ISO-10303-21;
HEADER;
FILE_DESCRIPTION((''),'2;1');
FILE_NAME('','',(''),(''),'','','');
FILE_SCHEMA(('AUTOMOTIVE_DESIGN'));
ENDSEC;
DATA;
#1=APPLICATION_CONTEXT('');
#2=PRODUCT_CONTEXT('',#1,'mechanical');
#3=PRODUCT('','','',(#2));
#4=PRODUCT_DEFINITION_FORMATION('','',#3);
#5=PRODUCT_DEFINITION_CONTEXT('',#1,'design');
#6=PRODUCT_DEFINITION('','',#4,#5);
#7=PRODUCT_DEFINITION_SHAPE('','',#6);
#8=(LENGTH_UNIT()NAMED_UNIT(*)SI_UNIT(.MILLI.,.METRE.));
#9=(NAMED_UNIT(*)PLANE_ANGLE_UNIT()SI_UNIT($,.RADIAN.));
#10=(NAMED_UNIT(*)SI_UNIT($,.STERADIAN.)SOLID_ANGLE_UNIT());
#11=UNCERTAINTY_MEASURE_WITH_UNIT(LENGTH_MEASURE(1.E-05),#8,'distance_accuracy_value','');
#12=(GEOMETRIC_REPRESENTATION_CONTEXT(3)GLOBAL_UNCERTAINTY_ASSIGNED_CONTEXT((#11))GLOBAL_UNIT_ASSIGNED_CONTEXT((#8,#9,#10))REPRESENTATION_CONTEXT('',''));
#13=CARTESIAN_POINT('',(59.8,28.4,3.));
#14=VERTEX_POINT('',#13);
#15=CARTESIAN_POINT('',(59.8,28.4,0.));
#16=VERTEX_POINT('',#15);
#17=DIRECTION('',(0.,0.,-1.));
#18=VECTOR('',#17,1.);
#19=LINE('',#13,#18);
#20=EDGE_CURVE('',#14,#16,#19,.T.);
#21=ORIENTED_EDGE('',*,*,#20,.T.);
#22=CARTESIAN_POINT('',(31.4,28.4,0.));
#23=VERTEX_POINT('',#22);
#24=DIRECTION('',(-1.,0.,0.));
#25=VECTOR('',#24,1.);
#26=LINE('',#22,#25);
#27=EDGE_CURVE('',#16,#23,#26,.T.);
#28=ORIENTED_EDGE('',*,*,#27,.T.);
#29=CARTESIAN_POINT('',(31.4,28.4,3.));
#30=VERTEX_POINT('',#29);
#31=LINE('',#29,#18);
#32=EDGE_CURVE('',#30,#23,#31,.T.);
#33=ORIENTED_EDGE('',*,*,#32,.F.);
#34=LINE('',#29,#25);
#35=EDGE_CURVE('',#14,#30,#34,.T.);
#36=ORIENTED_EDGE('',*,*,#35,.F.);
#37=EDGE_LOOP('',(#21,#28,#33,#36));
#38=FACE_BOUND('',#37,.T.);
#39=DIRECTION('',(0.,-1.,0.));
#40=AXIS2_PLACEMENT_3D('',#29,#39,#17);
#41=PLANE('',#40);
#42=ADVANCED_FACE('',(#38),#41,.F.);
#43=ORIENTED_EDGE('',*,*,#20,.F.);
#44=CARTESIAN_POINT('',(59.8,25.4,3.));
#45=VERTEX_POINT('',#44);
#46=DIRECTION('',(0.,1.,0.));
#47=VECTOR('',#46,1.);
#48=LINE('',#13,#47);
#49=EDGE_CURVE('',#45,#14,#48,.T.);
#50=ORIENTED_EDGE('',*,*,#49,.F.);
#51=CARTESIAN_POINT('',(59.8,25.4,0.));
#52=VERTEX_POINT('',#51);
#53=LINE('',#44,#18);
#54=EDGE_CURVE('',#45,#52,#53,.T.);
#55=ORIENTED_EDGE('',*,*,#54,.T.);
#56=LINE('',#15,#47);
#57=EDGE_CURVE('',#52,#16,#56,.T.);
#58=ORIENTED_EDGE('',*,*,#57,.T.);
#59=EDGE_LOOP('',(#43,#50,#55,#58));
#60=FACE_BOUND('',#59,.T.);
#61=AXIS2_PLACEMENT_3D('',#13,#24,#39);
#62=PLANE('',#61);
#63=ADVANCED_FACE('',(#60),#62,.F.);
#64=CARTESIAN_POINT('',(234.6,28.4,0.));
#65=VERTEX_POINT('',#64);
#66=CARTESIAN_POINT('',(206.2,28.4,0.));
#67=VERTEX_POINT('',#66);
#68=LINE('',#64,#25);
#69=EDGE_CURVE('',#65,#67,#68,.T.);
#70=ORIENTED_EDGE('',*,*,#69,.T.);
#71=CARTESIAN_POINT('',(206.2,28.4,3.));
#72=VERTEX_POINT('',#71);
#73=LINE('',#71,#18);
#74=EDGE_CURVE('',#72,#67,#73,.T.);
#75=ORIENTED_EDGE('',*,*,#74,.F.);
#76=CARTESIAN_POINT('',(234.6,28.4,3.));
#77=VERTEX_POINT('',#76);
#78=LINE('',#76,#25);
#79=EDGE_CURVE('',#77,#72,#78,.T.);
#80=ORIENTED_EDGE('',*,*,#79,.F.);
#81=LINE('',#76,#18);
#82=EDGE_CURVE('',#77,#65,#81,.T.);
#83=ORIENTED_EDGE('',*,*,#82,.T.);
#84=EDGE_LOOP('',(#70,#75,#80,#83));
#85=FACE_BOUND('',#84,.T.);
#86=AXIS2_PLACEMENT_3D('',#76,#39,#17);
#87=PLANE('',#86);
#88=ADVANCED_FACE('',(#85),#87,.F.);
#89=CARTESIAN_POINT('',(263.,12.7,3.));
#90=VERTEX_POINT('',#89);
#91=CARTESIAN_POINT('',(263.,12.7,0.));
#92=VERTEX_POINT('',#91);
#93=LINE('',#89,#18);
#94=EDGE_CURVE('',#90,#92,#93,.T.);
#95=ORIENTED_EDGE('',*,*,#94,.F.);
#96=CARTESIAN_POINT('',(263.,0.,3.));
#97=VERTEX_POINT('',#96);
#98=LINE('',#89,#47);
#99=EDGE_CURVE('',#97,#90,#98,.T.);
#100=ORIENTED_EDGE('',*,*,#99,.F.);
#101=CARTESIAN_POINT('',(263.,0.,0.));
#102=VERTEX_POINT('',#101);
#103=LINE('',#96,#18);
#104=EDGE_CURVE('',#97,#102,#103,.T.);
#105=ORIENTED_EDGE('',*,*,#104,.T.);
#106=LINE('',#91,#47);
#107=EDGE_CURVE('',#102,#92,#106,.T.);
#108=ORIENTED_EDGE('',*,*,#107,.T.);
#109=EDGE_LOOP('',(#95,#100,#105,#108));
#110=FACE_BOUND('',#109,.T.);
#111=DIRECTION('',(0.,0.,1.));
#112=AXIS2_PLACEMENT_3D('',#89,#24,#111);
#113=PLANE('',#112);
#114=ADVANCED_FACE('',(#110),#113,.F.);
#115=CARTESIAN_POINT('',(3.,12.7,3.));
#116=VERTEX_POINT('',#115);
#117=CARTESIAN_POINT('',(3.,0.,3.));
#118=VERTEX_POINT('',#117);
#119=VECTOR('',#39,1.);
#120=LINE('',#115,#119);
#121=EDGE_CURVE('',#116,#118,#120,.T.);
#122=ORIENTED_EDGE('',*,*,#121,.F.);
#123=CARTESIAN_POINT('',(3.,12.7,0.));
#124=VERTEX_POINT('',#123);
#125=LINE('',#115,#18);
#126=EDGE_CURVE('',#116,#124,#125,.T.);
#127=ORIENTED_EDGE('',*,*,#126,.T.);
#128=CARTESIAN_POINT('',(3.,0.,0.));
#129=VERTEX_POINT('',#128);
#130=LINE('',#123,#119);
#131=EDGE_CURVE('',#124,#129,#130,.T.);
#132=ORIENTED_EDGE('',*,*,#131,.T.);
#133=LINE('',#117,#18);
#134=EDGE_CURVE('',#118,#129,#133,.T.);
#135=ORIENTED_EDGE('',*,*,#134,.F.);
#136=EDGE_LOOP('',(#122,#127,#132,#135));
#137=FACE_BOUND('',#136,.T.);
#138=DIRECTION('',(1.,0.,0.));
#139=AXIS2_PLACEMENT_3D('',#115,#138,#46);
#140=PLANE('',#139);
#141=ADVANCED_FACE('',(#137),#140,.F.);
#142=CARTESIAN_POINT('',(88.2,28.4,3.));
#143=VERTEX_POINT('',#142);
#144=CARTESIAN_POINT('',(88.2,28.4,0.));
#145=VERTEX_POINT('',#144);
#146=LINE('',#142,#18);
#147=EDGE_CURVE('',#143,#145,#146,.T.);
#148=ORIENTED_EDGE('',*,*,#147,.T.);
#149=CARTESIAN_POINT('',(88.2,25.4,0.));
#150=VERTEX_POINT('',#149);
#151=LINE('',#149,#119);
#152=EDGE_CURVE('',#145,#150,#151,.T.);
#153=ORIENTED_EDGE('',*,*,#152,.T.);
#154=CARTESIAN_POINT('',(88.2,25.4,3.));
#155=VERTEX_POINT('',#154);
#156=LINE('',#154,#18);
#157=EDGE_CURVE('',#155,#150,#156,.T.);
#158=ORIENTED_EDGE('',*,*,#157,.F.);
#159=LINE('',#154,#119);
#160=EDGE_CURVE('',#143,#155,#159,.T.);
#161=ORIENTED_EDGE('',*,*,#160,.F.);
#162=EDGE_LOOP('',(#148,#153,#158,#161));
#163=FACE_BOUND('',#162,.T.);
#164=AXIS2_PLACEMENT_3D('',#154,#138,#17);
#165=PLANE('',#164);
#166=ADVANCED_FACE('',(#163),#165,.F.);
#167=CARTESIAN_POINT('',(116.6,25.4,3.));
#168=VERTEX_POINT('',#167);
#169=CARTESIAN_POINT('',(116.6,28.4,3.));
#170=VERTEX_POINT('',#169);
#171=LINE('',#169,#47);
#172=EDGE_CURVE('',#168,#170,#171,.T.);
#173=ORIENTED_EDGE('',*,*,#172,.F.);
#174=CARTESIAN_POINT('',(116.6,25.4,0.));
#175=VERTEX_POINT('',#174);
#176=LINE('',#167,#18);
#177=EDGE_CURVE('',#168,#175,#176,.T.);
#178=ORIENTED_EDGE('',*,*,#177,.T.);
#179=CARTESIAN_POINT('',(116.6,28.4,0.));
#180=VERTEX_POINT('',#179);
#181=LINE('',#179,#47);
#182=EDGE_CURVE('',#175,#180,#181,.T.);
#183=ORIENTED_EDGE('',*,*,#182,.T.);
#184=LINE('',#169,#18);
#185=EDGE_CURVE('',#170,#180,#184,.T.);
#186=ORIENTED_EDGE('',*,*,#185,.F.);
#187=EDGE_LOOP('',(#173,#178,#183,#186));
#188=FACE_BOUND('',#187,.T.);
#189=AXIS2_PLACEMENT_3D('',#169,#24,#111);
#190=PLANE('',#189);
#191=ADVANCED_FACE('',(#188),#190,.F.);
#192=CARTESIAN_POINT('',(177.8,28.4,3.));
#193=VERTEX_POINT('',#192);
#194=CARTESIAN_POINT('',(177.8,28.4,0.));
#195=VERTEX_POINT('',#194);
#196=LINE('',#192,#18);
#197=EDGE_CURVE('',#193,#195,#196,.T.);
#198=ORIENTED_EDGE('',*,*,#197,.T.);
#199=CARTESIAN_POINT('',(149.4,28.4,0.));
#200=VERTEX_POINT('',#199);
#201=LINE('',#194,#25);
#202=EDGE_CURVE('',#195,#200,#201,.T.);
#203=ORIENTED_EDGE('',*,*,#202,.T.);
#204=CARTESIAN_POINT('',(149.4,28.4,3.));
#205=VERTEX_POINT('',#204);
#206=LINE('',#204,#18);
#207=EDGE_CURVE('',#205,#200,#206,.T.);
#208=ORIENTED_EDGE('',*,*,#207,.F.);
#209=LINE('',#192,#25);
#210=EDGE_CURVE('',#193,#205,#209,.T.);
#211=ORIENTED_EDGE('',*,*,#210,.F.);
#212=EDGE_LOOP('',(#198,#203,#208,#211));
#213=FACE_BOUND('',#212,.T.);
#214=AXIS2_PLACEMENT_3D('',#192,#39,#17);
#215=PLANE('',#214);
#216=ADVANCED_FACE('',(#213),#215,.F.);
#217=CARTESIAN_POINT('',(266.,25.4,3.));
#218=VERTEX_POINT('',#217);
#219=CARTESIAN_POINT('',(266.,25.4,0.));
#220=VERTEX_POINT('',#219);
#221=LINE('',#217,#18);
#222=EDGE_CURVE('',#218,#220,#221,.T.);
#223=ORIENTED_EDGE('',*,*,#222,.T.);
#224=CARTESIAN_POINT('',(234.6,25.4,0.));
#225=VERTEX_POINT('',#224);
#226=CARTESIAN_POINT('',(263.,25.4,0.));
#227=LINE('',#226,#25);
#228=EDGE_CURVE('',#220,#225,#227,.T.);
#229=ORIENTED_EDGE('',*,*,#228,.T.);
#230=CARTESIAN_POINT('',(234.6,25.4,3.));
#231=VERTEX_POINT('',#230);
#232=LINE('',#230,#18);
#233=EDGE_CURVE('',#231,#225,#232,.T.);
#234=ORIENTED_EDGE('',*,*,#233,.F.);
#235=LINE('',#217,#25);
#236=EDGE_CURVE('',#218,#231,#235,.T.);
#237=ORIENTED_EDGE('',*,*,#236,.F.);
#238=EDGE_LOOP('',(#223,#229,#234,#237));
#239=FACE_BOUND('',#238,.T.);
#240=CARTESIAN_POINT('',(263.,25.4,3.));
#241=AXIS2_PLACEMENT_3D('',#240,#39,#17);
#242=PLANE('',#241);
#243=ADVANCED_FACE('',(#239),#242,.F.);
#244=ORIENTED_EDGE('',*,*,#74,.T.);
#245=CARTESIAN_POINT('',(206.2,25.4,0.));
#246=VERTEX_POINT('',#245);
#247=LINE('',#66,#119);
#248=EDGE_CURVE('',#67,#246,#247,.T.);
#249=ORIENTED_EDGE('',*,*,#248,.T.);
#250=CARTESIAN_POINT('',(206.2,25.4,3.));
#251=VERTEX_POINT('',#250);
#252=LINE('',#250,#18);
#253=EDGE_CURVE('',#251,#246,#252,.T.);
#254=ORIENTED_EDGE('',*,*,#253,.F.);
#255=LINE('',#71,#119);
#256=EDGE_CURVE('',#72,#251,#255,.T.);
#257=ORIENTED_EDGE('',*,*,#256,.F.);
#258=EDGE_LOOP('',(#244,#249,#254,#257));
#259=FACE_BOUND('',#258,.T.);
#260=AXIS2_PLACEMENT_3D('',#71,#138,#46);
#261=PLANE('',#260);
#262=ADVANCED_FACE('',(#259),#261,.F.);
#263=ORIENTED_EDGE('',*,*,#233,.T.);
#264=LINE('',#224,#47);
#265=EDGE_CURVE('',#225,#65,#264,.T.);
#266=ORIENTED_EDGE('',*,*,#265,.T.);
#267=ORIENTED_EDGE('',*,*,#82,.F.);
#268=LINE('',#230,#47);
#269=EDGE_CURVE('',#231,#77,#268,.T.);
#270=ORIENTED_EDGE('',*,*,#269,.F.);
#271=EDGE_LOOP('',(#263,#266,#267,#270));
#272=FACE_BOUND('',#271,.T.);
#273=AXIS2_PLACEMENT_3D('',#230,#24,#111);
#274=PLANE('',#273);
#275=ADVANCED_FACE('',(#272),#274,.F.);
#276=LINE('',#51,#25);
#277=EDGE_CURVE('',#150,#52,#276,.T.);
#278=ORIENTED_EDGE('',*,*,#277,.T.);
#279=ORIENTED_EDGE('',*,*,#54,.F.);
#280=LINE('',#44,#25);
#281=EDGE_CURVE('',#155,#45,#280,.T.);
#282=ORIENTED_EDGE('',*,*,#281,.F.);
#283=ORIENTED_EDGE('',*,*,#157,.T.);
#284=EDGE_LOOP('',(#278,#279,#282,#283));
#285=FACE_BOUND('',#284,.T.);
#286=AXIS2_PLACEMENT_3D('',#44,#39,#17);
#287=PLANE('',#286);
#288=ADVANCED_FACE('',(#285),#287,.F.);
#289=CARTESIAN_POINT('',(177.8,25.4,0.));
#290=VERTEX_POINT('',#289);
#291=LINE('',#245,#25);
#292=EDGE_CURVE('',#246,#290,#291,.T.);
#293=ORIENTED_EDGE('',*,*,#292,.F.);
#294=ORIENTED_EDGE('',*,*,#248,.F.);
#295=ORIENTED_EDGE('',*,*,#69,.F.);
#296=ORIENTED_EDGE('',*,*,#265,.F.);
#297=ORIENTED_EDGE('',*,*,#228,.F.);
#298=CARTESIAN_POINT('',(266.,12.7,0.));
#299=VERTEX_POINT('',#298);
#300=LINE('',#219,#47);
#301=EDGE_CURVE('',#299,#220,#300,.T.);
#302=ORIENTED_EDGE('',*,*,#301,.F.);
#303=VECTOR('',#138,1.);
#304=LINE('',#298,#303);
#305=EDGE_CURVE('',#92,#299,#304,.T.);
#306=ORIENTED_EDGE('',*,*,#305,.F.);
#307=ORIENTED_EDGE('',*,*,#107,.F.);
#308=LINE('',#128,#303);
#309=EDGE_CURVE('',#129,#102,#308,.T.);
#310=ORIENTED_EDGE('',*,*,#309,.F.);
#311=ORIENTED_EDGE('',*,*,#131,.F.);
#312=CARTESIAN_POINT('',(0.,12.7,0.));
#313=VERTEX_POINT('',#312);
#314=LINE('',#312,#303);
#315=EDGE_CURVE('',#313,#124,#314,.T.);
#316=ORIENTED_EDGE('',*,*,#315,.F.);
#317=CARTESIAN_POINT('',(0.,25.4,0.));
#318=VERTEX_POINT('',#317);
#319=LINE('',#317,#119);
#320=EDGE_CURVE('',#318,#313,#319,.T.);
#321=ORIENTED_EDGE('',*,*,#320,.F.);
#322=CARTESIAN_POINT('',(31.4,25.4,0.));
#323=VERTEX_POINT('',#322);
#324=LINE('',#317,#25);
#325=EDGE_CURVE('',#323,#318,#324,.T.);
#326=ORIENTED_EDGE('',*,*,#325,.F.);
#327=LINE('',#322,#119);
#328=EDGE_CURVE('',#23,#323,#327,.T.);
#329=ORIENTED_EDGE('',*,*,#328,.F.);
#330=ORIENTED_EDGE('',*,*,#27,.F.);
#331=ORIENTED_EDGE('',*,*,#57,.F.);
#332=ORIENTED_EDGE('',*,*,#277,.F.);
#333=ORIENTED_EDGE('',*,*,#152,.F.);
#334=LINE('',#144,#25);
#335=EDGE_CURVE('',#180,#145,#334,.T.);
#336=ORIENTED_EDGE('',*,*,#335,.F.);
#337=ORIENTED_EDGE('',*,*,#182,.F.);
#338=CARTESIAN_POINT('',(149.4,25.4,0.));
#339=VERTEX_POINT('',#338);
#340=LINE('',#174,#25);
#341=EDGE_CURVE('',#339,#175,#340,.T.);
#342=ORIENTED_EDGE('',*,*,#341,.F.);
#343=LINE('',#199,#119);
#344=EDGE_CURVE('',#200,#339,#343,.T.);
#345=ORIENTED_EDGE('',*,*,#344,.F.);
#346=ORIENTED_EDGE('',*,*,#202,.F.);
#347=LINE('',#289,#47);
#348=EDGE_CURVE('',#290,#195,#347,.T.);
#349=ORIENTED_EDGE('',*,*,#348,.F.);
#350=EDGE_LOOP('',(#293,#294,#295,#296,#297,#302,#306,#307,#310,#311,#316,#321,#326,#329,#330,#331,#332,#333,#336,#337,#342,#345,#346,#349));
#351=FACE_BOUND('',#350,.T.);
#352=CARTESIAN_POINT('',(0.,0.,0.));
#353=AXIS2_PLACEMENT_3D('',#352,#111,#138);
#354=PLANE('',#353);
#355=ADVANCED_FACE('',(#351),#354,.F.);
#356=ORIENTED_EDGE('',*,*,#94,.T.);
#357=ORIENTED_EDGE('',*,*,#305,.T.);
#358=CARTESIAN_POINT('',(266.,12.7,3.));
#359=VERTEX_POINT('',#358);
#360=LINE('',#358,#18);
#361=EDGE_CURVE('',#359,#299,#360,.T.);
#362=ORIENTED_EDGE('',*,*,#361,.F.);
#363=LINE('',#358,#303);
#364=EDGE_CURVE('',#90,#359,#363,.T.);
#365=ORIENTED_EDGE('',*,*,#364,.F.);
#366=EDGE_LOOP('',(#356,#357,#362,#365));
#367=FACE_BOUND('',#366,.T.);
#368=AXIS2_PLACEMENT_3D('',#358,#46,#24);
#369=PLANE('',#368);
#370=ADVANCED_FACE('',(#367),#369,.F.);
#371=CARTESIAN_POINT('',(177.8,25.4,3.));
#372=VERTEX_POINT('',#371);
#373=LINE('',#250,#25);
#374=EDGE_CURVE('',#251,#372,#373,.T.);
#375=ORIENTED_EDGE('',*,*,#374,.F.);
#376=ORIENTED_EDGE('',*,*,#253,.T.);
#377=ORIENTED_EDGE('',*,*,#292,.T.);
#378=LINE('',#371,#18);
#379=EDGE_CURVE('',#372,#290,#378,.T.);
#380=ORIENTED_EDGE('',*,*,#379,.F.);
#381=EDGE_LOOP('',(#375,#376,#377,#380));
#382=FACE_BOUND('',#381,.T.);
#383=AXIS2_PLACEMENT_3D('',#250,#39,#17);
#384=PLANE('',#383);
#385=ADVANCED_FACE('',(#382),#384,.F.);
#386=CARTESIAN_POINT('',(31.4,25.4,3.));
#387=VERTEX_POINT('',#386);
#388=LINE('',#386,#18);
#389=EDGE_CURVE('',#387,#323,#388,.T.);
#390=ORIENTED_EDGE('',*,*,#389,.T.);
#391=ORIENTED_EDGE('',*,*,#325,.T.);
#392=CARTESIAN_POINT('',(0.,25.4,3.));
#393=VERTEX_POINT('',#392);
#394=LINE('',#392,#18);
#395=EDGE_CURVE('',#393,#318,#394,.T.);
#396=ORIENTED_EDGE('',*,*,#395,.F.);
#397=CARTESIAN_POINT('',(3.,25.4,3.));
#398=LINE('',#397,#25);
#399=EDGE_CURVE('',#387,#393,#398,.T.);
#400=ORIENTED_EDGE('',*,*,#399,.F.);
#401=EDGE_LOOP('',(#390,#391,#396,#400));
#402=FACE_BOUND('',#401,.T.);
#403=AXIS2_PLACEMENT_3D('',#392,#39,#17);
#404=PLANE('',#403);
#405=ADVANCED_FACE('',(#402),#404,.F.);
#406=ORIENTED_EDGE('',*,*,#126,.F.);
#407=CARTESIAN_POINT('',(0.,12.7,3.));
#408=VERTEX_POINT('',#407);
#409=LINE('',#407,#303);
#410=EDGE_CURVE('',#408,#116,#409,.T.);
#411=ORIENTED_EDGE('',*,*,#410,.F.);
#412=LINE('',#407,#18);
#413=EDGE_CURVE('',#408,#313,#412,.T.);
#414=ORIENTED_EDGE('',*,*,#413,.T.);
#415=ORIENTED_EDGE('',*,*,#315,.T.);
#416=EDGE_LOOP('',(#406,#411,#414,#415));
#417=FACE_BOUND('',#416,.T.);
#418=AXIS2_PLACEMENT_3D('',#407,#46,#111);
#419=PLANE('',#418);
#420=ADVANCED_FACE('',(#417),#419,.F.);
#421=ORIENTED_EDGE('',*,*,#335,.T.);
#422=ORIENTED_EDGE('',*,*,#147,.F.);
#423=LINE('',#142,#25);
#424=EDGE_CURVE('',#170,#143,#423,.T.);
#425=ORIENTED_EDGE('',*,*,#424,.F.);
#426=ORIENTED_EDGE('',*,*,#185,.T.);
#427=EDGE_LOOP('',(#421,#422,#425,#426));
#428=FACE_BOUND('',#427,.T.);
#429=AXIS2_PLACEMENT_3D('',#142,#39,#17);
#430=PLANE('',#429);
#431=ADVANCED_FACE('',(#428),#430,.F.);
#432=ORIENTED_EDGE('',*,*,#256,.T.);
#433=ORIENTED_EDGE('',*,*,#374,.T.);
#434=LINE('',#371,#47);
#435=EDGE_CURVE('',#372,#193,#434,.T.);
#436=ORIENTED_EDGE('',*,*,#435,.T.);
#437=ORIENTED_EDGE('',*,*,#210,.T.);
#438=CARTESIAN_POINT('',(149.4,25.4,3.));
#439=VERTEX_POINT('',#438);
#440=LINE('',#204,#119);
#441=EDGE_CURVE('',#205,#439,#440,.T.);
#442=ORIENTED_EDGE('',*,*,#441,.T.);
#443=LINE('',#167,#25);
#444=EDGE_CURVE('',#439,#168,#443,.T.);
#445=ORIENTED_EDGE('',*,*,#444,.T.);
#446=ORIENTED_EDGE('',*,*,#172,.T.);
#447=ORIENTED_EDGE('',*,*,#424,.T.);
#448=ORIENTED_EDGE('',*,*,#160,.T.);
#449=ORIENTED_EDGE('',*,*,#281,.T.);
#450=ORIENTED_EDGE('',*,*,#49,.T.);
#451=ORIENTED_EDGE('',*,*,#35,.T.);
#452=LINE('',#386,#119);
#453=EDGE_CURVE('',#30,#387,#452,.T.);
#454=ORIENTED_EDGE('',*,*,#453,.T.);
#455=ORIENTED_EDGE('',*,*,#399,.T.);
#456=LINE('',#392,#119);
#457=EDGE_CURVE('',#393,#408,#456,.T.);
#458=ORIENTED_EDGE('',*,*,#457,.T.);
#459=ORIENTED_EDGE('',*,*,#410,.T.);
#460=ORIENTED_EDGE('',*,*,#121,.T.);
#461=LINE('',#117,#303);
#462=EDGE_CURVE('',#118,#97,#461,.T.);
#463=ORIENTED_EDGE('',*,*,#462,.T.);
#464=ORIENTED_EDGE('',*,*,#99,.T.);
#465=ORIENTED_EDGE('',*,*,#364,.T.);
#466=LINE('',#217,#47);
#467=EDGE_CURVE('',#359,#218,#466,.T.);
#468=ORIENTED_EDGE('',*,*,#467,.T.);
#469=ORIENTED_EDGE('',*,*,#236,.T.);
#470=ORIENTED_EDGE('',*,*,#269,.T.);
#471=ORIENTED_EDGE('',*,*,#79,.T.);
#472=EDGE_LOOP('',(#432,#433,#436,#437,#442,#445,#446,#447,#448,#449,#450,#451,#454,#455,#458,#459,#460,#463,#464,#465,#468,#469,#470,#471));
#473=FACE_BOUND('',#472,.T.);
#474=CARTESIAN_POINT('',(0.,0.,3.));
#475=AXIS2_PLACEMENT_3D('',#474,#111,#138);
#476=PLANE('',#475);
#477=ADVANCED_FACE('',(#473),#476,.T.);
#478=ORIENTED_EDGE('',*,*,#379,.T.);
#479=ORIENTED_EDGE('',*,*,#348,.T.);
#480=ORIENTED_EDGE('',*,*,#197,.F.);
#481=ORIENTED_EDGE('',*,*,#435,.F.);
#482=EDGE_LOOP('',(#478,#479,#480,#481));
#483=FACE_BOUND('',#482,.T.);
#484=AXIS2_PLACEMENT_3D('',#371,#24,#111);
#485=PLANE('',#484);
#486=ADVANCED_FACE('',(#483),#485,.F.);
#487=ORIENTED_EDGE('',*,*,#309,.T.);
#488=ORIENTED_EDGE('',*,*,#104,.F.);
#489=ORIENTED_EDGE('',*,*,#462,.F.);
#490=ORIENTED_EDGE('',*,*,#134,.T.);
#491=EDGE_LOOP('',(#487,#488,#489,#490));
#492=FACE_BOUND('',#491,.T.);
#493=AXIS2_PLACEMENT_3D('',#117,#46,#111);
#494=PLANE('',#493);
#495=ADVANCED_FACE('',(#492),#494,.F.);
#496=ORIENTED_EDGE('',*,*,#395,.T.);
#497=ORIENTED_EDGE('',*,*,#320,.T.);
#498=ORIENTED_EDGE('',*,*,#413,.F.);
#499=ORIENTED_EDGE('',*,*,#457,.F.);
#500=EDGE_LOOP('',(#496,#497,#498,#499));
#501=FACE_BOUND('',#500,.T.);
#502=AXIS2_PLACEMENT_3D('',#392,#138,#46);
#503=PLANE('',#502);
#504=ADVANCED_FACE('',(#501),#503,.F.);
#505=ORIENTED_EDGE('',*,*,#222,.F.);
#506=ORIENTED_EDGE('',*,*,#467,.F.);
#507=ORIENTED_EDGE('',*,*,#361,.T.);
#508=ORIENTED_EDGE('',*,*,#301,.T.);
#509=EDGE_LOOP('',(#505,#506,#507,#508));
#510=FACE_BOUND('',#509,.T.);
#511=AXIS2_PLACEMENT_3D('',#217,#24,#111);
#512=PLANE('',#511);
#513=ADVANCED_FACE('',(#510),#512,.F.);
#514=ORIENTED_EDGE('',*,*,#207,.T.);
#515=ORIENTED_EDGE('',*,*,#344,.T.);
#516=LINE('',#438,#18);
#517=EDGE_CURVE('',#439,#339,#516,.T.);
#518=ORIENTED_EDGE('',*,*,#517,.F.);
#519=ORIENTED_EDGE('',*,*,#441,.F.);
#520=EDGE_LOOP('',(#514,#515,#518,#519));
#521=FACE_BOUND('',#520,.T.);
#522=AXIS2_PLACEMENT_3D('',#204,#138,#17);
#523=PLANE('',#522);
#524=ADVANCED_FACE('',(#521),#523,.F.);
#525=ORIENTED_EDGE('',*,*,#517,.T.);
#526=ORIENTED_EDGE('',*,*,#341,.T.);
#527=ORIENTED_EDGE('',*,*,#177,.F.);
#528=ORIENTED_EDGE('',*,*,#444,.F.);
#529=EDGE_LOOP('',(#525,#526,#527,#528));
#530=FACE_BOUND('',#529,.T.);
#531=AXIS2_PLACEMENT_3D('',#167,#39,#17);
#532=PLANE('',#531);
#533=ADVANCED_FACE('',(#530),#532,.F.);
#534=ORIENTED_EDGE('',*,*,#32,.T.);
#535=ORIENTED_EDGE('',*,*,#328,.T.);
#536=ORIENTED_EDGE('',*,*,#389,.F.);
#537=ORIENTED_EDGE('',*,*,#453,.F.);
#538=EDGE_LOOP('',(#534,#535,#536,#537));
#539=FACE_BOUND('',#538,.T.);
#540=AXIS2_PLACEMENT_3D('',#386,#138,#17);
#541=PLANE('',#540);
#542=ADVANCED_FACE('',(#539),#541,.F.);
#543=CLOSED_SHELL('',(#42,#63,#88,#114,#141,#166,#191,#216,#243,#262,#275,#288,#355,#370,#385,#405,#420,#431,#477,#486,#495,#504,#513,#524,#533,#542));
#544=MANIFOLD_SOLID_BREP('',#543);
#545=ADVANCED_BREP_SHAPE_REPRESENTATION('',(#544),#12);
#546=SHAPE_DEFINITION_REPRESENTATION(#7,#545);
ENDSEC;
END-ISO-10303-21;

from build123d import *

# Parameters (mm, degrees)
SALIENTE_EXTRUIR1_DEPTH = 3


with BuildPart() as part:
    # Croquis1 → Saliente-Extruir1 (new body)
    with BuildSketch(Plane.XY):
        Polygon((0, 25.4), (0, 12.7), (3, 12.7), (3, 0), (263, 0), (263, 12.7), (266, 12.7), (266, 25.4), (263, 25.4), (234.6, 25.4), (234.6, 28.4), (206.2, 28.4), (206.2, 25.4), (177.8, 25.4), (177.8, 28.4), (149.4, 28.4), (149.4, 25.4), (116.6, 25.4), (116.6, 28.4), (88.2, 28.4), (88.2, 25.4), (59.8, 25.4), (59.8, 28.4), (31.4, 28.4), (31.4, 25.4), (3, 25.4), align=None)
    extrude(amount=SALIENTE_EXTRUIR1_DEPTH)


solid = part.part
